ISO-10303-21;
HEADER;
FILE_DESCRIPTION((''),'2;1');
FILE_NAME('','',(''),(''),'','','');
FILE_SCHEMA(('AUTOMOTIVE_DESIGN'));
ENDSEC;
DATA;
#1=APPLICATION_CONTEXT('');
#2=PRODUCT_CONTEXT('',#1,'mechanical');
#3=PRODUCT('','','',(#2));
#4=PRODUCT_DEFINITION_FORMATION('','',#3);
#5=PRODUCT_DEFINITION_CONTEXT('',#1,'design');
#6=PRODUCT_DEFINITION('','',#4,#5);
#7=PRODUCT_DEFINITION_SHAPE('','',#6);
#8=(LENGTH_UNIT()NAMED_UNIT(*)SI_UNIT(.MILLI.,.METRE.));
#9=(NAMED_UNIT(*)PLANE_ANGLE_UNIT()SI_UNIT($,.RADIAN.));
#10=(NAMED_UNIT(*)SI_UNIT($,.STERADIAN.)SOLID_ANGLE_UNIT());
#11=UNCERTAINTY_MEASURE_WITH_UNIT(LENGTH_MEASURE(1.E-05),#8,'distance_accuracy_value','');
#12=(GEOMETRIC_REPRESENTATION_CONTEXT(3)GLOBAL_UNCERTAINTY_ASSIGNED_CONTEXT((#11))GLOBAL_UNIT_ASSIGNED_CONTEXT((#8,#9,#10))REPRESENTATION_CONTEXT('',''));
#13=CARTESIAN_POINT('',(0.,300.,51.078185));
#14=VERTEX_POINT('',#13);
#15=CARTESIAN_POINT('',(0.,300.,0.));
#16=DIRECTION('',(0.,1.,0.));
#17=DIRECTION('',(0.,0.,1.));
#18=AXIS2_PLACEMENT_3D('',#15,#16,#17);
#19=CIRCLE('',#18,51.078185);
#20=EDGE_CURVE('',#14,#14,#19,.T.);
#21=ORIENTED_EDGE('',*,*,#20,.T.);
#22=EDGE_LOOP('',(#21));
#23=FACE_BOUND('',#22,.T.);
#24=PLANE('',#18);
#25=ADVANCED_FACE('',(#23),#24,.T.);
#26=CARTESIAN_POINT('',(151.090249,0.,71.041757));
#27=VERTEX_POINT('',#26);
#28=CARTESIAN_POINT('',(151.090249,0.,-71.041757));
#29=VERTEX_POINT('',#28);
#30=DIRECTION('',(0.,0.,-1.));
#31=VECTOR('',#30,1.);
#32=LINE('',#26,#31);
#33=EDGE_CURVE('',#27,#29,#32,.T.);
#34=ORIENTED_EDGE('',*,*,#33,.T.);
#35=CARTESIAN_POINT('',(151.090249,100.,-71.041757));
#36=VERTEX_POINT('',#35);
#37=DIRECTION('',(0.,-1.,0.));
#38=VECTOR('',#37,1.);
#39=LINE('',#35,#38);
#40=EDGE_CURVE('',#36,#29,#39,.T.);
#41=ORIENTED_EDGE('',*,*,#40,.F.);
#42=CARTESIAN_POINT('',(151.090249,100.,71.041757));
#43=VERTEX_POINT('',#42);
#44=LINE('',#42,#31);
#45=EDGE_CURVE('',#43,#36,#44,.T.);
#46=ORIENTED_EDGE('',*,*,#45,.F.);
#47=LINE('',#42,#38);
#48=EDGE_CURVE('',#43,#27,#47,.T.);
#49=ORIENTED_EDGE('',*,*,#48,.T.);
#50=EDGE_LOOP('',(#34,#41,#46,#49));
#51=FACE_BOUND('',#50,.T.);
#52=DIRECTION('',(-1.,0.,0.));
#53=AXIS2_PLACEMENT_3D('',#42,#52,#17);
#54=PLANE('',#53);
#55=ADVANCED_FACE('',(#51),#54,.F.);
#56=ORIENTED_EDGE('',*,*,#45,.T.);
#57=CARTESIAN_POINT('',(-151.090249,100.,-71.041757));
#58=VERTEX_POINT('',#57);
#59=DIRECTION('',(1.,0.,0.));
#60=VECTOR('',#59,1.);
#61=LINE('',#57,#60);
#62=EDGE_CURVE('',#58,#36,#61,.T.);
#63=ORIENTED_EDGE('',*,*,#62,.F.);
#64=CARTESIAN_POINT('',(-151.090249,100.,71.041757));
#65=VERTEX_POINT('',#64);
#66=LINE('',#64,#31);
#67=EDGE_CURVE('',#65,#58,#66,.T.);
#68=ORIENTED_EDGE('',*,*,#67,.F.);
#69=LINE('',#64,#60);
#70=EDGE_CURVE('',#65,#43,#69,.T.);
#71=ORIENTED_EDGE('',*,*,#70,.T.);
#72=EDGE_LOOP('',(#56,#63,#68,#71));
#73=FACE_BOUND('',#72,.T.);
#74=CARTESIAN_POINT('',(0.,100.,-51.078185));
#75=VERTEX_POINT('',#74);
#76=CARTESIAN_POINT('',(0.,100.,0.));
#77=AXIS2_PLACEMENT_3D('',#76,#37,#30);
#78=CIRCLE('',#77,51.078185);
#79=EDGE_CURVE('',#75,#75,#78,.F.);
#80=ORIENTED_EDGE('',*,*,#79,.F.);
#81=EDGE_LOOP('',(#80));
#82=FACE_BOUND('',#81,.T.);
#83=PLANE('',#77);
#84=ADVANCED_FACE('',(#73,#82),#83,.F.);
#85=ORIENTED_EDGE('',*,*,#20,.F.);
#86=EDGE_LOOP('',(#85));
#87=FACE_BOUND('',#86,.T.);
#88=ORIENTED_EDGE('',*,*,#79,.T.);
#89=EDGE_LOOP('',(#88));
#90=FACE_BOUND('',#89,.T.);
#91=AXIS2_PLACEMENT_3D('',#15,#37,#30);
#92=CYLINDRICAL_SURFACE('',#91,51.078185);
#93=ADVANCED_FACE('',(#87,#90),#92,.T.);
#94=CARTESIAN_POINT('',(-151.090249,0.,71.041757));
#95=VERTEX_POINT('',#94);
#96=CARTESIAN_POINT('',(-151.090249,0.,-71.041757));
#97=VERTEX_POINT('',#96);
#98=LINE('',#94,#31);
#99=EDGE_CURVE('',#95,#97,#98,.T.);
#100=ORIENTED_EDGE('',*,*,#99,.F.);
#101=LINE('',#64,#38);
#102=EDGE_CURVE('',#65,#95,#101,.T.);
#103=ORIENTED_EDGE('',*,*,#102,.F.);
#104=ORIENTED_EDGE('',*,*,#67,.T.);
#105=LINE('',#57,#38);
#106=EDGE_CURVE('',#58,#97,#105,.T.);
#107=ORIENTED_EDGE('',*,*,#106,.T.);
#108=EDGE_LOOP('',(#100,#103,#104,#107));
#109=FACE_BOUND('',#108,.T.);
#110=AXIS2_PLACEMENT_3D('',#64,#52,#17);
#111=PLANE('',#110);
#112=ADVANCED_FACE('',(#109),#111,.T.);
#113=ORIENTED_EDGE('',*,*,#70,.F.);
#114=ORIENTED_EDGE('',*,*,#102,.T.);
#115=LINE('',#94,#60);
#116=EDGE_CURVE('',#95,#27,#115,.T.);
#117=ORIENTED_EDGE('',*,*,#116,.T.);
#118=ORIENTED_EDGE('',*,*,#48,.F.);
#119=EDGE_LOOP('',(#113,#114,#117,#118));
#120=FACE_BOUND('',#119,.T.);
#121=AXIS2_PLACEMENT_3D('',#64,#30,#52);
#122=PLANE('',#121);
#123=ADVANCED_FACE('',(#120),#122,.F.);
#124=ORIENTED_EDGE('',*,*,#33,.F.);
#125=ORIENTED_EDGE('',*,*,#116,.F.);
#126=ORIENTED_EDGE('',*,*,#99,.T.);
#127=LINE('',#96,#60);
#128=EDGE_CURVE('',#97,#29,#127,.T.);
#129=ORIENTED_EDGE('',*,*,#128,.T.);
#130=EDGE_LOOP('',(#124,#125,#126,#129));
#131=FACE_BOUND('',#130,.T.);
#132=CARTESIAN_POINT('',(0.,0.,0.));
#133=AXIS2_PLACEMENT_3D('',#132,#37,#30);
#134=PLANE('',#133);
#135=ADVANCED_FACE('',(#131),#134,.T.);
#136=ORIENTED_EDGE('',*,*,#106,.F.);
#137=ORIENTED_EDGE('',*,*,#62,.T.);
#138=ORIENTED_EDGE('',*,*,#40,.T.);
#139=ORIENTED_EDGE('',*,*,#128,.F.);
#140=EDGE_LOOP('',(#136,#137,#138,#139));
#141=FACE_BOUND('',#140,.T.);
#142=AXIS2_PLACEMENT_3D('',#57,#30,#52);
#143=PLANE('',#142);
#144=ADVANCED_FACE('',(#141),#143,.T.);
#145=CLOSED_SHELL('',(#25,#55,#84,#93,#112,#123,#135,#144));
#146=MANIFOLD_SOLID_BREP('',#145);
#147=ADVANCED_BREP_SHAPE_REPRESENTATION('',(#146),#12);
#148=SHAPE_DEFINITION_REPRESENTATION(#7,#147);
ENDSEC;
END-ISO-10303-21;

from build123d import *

# Parameters (mm, degrees)
SKETCH_2_W      = 302.180498412
SKETCH_2_H      = 142.083514116
EXTRUDE_1_DEPTH = 100
SKETCH_2_3_R    = 51.07818505
EXTRUDE_2_DEPTH = 300


with BuildPart() as part:
    # 草图2 → 凸台-拉伸1 (new body)
    with BuildSketch(Plane(origin=(0, 0, 0), x_dir=(1, 0, 0), z_dir=(0, 1, 0))):
        Rectangle(SKETCH_2_W, SKETCH_2_H)
    extrude(amount=EXTRUDE_1_DEPTH)

    # 草图2<3> → 凸台-拉伸2 (add)
    with BuildSketch(Plane(origin=(0, 0, 0), x_dir=(1, 0, 0), z_dir=(0, 1, 0))):
        Circle(SKETCH_2_3_R)
    extrude(amount=EXTRUDE_2_DEPTH)


solid = part.part
